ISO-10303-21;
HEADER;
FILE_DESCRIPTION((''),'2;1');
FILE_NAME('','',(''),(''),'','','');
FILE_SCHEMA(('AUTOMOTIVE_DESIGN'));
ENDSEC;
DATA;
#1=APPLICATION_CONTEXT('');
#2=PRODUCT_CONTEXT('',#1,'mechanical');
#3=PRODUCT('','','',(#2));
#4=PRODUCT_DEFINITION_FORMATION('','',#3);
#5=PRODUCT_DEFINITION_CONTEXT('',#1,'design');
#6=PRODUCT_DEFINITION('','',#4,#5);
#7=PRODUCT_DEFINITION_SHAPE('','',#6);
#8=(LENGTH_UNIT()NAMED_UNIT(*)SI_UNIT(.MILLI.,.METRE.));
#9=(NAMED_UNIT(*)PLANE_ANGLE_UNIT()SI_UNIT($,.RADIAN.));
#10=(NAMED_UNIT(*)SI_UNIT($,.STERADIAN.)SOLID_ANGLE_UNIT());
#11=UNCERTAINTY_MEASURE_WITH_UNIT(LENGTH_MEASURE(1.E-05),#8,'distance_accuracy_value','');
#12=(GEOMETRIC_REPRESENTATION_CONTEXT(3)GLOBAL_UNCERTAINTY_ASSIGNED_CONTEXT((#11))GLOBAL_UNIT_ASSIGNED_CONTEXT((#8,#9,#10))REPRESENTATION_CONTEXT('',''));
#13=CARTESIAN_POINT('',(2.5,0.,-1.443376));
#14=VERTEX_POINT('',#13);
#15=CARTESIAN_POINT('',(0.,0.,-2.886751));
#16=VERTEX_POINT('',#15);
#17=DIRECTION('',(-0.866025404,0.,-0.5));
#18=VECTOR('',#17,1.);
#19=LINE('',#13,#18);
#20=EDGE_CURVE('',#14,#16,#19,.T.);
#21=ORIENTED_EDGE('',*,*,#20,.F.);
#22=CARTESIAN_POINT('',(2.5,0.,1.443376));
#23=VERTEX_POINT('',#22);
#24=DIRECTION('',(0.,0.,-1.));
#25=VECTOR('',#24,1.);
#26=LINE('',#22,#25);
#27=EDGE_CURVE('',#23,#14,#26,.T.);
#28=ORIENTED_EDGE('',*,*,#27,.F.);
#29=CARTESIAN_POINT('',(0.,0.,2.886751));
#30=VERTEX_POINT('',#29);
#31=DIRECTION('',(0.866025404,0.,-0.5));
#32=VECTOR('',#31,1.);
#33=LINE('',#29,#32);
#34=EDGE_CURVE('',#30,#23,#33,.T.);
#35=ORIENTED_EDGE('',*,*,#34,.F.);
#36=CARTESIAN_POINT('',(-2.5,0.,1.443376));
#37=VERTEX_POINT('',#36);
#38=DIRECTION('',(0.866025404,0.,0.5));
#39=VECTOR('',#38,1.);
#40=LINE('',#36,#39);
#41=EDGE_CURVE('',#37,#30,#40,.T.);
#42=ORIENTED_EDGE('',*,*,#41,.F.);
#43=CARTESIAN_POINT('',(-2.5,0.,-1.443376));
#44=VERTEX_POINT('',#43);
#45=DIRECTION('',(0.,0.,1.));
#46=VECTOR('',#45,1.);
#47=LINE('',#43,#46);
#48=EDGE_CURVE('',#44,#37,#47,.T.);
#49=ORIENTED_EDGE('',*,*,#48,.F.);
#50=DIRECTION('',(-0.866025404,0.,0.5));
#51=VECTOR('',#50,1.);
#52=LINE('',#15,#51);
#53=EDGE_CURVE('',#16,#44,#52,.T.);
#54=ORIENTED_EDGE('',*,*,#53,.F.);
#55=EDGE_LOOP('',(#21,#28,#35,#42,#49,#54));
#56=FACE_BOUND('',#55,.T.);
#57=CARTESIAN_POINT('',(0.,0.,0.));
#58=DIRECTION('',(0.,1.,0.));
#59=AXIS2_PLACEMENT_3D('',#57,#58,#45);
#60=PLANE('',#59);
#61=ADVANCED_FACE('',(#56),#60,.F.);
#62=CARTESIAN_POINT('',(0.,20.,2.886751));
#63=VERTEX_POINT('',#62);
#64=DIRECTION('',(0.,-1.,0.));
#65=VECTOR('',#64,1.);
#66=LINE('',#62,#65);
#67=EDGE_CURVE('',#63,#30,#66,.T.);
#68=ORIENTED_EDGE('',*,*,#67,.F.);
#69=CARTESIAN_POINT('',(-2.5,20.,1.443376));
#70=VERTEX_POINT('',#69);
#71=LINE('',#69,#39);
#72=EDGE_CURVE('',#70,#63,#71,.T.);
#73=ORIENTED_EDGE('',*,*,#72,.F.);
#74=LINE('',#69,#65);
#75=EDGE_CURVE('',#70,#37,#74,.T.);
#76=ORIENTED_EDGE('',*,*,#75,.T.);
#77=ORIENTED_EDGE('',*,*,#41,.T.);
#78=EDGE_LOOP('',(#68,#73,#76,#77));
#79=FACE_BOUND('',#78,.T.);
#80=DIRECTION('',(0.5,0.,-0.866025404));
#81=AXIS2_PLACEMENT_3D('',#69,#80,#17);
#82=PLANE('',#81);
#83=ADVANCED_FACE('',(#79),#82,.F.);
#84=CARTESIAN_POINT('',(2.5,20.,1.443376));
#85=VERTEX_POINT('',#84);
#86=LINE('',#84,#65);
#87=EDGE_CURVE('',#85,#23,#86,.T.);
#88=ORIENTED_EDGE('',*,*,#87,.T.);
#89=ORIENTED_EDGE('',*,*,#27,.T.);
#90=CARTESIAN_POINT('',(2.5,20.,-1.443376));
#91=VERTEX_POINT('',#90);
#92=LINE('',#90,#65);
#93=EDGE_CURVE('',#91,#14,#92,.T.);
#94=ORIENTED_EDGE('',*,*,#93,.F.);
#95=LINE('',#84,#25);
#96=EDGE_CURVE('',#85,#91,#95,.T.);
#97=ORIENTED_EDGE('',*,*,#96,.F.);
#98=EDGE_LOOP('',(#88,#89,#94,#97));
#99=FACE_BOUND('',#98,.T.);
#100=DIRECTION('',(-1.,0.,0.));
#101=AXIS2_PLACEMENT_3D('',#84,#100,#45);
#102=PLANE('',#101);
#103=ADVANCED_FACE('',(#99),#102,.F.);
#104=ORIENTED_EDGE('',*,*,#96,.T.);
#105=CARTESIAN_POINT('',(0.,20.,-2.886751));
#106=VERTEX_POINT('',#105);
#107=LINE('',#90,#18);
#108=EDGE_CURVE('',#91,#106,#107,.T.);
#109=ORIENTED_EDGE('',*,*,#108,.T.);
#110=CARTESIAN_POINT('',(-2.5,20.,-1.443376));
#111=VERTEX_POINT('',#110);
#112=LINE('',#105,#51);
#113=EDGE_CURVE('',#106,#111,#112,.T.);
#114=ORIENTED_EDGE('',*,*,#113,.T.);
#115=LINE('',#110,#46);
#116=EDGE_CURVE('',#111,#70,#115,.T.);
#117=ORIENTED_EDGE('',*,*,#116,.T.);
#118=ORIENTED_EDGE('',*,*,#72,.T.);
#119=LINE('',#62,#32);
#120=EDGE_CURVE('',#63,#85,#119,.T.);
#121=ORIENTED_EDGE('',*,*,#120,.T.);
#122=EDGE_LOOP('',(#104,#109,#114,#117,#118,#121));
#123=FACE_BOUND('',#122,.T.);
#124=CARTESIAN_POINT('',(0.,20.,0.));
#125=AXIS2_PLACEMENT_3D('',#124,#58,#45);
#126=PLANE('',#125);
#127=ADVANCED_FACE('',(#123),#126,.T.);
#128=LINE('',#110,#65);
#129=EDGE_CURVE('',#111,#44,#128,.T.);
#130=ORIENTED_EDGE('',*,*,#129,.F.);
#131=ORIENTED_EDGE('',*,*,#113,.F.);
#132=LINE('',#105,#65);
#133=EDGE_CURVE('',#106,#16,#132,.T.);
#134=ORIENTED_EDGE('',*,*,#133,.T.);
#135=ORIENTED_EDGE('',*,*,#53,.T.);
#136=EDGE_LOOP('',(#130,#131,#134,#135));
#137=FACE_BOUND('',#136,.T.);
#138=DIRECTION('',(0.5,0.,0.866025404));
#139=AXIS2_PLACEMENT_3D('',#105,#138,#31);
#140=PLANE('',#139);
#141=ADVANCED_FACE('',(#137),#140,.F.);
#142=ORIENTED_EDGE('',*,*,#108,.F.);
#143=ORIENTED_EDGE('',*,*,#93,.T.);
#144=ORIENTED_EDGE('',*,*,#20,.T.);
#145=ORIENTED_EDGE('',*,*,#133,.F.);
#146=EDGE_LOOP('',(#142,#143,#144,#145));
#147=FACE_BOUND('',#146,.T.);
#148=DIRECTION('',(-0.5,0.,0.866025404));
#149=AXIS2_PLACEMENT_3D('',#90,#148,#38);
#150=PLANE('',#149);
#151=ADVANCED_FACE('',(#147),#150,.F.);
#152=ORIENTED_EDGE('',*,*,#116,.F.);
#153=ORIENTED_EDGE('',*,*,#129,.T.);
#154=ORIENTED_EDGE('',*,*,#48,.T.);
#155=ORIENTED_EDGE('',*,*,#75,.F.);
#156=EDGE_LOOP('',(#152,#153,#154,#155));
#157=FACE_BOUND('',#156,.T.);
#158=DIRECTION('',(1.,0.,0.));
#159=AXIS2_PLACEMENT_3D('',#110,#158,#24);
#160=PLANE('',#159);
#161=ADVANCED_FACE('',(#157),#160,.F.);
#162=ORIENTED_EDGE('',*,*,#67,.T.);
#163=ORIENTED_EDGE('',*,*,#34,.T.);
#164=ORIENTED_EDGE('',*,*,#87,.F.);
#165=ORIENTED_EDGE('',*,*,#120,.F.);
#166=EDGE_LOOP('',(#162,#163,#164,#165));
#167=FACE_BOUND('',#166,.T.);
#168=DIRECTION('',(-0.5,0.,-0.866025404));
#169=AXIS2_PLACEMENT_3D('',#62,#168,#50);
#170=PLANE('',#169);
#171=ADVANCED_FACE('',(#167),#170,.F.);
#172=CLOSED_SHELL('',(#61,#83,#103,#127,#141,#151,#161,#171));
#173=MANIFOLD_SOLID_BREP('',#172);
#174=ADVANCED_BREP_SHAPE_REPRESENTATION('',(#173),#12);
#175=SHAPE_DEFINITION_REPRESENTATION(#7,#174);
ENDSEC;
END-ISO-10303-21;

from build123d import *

# Parameters (mm, degrees)
BOSS_EXTRUDE1_DEPTH = 20


with BuildPart() as part:
    # Sketch1 → Boss-Extrude1 (new body)
    with BuildSketch(Plane(origin=(0, 0, 0), x_dir=(1, 0, 0), z_dir=(0, 1, 0))):
        Polygon((2.5, -1.443375673), (2.5, 1.443375673), (0, 2.886751346), (-2.5, 1.443375673), (-2.5, -1.443375673), (0, -2.886751346), align=None)
    extrude(amount=BOSS_EXTRUDE1_DEPTH)


solid = part.part
